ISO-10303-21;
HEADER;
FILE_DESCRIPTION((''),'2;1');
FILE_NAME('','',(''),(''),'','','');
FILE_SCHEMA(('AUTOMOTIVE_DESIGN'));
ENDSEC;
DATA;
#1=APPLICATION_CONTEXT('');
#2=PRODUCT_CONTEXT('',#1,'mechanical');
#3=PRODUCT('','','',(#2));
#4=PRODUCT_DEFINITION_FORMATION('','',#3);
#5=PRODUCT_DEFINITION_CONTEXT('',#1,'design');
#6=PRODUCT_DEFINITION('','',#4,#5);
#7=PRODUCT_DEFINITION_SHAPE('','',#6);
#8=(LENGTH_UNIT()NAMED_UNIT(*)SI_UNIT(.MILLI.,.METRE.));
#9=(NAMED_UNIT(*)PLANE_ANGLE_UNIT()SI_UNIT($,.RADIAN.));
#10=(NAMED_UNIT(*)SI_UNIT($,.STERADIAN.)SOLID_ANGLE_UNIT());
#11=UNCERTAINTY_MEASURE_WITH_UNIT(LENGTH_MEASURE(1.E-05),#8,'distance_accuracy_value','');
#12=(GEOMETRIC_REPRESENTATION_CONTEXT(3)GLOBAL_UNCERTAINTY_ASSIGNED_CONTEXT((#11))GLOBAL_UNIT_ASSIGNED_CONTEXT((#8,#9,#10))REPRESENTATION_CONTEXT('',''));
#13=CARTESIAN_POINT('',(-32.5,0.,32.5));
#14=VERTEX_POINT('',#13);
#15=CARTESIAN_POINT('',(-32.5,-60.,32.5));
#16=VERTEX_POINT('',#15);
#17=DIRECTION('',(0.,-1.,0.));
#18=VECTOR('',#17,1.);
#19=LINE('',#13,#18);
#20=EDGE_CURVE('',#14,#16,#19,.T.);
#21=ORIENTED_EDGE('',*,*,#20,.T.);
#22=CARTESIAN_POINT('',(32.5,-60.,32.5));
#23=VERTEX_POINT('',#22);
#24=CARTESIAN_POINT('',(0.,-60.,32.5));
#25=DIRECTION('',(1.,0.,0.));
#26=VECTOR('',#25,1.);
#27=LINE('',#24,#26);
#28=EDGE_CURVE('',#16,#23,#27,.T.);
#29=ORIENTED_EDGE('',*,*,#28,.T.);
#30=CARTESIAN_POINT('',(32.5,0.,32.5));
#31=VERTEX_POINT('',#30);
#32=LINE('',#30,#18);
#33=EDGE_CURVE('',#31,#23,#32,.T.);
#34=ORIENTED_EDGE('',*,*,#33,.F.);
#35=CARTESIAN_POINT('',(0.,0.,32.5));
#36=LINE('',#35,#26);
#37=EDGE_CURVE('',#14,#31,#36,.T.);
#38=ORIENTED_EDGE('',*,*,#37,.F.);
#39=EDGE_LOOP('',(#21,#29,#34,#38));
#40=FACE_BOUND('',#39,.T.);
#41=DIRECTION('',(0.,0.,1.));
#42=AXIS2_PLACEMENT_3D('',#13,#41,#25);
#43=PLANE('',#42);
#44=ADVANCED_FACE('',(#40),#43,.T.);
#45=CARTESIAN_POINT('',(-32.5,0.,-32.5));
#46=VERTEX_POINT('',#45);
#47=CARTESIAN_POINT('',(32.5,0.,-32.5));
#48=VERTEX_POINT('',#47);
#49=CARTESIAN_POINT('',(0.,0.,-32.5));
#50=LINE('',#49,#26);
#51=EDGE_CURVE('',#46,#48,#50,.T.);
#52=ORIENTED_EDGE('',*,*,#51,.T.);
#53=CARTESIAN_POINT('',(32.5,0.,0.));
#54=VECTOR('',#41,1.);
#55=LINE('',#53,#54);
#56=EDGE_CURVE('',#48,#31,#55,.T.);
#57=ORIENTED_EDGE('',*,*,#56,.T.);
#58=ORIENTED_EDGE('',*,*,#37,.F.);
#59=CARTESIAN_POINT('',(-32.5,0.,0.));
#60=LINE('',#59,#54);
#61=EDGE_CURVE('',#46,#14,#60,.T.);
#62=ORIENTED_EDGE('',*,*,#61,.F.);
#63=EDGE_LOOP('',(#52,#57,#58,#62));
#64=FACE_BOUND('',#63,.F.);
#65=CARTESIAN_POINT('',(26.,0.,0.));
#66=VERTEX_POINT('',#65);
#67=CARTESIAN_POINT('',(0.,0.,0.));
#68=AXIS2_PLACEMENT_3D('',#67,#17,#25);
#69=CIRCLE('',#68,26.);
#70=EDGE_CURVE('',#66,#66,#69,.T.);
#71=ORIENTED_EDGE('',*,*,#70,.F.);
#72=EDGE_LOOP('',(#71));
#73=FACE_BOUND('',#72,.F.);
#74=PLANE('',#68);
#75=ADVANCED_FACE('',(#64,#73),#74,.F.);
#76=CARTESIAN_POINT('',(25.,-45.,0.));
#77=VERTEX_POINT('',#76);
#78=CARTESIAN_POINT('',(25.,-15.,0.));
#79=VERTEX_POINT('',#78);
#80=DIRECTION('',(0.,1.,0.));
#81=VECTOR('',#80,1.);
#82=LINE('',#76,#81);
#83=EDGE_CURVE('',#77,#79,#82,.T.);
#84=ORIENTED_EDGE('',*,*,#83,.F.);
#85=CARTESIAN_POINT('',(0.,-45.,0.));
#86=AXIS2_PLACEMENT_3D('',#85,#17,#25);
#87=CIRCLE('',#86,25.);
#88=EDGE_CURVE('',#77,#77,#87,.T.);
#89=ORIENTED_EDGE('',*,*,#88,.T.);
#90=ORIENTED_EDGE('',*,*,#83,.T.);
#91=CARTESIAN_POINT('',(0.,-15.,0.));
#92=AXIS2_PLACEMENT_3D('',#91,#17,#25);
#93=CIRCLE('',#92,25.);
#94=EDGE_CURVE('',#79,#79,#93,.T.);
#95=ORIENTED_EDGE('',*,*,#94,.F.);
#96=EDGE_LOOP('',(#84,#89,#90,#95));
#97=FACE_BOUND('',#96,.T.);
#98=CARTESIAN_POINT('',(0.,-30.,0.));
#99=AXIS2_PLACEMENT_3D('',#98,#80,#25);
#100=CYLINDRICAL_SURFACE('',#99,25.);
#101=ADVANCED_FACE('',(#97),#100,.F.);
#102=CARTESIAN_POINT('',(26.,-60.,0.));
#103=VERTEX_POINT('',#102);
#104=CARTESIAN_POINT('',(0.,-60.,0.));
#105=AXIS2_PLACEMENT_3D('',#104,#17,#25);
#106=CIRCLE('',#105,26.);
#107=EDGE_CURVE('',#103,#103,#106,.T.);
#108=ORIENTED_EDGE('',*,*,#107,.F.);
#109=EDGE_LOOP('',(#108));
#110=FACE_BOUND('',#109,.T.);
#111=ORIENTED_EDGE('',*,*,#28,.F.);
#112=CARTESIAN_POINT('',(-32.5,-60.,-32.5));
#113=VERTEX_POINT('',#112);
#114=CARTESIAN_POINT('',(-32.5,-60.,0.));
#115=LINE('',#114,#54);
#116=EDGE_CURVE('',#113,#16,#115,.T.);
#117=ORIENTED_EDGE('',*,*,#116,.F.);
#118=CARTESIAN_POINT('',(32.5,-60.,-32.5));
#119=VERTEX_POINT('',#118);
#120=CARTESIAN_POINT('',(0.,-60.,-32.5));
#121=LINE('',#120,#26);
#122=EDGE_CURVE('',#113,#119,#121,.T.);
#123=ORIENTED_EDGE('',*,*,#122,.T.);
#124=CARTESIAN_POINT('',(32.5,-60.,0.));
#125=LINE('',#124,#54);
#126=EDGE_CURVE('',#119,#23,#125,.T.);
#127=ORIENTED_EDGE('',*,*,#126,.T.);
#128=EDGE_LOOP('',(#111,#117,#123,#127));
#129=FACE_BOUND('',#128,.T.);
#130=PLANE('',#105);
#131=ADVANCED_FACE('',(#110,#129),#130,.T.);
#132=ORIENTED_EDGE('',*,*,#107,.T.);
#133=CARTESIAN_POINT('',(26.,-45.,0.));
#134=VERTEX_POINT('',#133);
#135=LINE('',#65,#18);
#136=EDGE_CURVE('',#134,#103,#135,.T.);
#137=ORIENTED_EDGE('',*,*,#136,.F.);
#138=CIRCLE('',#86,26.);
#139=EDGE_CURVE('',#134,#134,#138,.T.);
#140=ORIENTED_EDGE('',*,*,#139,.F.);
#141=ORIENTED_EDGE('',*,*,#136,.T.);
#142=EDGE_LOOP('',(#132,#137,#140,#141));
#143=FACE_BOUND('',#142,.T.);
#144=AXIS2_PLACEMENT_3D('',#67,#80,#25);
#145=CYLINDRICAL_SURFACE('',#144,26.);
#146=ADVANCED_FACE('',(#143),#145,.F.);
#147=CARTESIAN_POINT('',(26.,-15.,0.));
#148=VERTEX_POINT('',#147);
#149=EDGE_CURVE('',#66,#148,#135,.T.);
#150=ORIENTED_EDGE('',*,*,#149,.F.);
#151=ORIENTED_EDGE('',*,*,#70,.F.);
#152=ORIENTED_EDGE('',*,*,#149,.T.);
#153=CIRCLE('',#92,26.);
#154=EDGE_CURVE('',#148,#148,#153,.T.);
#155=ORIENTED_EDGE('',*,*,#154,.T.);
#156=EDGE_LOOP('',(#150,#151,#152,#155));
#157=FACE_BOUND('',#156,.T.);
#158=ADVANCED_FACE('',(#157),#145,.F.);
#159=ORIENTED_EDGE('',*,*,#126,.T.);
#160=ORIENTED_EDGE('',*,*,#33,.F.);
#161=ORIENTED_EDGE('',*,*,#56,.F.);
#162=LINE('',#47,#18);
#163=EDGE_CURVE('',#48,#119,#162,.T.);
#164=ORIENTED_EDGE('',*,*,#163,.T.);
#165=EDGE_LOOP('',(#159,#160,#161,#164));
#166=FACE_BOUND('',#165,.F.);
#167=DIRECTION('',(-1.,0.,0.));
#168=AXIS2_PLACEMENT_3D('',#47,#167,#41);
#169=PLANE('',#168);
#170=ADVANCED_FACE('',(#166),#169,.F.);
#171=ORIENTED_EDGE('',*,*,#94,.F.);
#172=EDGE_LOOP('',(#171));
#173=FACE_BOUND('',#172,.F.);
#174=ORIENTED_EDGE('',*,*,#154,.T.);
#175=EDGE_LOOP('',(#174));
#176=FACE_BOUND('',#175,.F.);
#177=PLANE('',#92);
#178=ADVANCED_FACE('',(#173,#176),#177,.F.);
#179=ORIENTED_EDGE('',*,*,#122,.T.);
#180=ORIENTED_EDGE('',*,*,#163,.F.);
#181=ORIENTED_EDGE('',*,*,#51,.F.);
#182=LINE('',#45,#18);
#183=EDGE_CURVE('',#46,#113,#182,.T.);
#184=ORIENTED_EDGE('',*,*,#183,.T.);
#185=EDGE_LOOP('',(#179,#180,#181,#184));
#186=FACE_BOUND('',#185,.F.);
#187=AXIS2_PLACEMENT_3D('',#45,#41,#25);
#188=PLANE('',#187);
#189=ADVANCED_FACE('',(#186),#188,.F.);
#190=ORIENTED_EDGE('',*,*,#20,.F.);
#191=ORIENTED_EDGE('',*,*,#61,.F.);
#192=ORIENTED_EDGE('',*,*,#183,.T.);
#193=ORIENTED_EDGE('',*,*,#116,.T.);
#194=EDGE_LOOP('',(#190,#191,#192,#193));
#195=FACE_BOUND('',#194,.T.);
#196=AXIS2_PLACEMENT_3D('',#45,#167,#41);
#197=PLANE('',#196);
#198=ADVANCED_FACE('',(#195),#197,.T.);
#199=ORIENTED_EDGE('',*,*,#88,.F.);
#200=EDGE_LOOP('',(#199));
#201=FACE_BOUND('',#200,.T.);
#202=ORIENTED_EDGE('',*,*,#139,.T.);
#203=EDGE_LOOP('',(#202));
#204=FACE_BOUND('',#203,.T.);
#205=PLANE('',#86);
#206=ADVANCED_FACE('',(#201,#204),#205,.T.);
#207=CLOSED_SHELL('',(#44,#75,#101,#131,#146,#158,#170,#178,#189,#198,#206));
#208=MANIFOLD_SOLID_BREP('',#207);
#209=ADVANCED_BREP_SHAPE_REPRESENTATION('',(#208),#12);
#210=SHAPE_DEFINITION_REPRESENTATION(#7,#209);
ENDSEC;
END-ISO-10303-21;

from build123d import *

# Parameters (mm, degrees)
F0_W     = 65
F0_H     = 65
F0_R     = 26
F1_DEPTH = 60
F3_R     = 26
F3_R_2   = 25
F4_DEPTH = 15


with BuildPart() as f1:
    # F0 (on Front) → F1 (new body)
    with BuildSketch(Plane.XZ):
        Rectangle(F0_W, F0_H)
        Circle(F0_R, mode=Mode.SUBTRACT)
    extrude(amount=F1_DEPTH)

    # F3 (on offset) → F4 (join, symmetric)
    with BuildSketch(Plane.XZ.offset(30)):
        Circle(F3_R)
        Circle(F3_R_2, mode=Mode.SUBTRACT)
    extrude(amount=F4_DEPTH, both=True)


solid = f1.part
